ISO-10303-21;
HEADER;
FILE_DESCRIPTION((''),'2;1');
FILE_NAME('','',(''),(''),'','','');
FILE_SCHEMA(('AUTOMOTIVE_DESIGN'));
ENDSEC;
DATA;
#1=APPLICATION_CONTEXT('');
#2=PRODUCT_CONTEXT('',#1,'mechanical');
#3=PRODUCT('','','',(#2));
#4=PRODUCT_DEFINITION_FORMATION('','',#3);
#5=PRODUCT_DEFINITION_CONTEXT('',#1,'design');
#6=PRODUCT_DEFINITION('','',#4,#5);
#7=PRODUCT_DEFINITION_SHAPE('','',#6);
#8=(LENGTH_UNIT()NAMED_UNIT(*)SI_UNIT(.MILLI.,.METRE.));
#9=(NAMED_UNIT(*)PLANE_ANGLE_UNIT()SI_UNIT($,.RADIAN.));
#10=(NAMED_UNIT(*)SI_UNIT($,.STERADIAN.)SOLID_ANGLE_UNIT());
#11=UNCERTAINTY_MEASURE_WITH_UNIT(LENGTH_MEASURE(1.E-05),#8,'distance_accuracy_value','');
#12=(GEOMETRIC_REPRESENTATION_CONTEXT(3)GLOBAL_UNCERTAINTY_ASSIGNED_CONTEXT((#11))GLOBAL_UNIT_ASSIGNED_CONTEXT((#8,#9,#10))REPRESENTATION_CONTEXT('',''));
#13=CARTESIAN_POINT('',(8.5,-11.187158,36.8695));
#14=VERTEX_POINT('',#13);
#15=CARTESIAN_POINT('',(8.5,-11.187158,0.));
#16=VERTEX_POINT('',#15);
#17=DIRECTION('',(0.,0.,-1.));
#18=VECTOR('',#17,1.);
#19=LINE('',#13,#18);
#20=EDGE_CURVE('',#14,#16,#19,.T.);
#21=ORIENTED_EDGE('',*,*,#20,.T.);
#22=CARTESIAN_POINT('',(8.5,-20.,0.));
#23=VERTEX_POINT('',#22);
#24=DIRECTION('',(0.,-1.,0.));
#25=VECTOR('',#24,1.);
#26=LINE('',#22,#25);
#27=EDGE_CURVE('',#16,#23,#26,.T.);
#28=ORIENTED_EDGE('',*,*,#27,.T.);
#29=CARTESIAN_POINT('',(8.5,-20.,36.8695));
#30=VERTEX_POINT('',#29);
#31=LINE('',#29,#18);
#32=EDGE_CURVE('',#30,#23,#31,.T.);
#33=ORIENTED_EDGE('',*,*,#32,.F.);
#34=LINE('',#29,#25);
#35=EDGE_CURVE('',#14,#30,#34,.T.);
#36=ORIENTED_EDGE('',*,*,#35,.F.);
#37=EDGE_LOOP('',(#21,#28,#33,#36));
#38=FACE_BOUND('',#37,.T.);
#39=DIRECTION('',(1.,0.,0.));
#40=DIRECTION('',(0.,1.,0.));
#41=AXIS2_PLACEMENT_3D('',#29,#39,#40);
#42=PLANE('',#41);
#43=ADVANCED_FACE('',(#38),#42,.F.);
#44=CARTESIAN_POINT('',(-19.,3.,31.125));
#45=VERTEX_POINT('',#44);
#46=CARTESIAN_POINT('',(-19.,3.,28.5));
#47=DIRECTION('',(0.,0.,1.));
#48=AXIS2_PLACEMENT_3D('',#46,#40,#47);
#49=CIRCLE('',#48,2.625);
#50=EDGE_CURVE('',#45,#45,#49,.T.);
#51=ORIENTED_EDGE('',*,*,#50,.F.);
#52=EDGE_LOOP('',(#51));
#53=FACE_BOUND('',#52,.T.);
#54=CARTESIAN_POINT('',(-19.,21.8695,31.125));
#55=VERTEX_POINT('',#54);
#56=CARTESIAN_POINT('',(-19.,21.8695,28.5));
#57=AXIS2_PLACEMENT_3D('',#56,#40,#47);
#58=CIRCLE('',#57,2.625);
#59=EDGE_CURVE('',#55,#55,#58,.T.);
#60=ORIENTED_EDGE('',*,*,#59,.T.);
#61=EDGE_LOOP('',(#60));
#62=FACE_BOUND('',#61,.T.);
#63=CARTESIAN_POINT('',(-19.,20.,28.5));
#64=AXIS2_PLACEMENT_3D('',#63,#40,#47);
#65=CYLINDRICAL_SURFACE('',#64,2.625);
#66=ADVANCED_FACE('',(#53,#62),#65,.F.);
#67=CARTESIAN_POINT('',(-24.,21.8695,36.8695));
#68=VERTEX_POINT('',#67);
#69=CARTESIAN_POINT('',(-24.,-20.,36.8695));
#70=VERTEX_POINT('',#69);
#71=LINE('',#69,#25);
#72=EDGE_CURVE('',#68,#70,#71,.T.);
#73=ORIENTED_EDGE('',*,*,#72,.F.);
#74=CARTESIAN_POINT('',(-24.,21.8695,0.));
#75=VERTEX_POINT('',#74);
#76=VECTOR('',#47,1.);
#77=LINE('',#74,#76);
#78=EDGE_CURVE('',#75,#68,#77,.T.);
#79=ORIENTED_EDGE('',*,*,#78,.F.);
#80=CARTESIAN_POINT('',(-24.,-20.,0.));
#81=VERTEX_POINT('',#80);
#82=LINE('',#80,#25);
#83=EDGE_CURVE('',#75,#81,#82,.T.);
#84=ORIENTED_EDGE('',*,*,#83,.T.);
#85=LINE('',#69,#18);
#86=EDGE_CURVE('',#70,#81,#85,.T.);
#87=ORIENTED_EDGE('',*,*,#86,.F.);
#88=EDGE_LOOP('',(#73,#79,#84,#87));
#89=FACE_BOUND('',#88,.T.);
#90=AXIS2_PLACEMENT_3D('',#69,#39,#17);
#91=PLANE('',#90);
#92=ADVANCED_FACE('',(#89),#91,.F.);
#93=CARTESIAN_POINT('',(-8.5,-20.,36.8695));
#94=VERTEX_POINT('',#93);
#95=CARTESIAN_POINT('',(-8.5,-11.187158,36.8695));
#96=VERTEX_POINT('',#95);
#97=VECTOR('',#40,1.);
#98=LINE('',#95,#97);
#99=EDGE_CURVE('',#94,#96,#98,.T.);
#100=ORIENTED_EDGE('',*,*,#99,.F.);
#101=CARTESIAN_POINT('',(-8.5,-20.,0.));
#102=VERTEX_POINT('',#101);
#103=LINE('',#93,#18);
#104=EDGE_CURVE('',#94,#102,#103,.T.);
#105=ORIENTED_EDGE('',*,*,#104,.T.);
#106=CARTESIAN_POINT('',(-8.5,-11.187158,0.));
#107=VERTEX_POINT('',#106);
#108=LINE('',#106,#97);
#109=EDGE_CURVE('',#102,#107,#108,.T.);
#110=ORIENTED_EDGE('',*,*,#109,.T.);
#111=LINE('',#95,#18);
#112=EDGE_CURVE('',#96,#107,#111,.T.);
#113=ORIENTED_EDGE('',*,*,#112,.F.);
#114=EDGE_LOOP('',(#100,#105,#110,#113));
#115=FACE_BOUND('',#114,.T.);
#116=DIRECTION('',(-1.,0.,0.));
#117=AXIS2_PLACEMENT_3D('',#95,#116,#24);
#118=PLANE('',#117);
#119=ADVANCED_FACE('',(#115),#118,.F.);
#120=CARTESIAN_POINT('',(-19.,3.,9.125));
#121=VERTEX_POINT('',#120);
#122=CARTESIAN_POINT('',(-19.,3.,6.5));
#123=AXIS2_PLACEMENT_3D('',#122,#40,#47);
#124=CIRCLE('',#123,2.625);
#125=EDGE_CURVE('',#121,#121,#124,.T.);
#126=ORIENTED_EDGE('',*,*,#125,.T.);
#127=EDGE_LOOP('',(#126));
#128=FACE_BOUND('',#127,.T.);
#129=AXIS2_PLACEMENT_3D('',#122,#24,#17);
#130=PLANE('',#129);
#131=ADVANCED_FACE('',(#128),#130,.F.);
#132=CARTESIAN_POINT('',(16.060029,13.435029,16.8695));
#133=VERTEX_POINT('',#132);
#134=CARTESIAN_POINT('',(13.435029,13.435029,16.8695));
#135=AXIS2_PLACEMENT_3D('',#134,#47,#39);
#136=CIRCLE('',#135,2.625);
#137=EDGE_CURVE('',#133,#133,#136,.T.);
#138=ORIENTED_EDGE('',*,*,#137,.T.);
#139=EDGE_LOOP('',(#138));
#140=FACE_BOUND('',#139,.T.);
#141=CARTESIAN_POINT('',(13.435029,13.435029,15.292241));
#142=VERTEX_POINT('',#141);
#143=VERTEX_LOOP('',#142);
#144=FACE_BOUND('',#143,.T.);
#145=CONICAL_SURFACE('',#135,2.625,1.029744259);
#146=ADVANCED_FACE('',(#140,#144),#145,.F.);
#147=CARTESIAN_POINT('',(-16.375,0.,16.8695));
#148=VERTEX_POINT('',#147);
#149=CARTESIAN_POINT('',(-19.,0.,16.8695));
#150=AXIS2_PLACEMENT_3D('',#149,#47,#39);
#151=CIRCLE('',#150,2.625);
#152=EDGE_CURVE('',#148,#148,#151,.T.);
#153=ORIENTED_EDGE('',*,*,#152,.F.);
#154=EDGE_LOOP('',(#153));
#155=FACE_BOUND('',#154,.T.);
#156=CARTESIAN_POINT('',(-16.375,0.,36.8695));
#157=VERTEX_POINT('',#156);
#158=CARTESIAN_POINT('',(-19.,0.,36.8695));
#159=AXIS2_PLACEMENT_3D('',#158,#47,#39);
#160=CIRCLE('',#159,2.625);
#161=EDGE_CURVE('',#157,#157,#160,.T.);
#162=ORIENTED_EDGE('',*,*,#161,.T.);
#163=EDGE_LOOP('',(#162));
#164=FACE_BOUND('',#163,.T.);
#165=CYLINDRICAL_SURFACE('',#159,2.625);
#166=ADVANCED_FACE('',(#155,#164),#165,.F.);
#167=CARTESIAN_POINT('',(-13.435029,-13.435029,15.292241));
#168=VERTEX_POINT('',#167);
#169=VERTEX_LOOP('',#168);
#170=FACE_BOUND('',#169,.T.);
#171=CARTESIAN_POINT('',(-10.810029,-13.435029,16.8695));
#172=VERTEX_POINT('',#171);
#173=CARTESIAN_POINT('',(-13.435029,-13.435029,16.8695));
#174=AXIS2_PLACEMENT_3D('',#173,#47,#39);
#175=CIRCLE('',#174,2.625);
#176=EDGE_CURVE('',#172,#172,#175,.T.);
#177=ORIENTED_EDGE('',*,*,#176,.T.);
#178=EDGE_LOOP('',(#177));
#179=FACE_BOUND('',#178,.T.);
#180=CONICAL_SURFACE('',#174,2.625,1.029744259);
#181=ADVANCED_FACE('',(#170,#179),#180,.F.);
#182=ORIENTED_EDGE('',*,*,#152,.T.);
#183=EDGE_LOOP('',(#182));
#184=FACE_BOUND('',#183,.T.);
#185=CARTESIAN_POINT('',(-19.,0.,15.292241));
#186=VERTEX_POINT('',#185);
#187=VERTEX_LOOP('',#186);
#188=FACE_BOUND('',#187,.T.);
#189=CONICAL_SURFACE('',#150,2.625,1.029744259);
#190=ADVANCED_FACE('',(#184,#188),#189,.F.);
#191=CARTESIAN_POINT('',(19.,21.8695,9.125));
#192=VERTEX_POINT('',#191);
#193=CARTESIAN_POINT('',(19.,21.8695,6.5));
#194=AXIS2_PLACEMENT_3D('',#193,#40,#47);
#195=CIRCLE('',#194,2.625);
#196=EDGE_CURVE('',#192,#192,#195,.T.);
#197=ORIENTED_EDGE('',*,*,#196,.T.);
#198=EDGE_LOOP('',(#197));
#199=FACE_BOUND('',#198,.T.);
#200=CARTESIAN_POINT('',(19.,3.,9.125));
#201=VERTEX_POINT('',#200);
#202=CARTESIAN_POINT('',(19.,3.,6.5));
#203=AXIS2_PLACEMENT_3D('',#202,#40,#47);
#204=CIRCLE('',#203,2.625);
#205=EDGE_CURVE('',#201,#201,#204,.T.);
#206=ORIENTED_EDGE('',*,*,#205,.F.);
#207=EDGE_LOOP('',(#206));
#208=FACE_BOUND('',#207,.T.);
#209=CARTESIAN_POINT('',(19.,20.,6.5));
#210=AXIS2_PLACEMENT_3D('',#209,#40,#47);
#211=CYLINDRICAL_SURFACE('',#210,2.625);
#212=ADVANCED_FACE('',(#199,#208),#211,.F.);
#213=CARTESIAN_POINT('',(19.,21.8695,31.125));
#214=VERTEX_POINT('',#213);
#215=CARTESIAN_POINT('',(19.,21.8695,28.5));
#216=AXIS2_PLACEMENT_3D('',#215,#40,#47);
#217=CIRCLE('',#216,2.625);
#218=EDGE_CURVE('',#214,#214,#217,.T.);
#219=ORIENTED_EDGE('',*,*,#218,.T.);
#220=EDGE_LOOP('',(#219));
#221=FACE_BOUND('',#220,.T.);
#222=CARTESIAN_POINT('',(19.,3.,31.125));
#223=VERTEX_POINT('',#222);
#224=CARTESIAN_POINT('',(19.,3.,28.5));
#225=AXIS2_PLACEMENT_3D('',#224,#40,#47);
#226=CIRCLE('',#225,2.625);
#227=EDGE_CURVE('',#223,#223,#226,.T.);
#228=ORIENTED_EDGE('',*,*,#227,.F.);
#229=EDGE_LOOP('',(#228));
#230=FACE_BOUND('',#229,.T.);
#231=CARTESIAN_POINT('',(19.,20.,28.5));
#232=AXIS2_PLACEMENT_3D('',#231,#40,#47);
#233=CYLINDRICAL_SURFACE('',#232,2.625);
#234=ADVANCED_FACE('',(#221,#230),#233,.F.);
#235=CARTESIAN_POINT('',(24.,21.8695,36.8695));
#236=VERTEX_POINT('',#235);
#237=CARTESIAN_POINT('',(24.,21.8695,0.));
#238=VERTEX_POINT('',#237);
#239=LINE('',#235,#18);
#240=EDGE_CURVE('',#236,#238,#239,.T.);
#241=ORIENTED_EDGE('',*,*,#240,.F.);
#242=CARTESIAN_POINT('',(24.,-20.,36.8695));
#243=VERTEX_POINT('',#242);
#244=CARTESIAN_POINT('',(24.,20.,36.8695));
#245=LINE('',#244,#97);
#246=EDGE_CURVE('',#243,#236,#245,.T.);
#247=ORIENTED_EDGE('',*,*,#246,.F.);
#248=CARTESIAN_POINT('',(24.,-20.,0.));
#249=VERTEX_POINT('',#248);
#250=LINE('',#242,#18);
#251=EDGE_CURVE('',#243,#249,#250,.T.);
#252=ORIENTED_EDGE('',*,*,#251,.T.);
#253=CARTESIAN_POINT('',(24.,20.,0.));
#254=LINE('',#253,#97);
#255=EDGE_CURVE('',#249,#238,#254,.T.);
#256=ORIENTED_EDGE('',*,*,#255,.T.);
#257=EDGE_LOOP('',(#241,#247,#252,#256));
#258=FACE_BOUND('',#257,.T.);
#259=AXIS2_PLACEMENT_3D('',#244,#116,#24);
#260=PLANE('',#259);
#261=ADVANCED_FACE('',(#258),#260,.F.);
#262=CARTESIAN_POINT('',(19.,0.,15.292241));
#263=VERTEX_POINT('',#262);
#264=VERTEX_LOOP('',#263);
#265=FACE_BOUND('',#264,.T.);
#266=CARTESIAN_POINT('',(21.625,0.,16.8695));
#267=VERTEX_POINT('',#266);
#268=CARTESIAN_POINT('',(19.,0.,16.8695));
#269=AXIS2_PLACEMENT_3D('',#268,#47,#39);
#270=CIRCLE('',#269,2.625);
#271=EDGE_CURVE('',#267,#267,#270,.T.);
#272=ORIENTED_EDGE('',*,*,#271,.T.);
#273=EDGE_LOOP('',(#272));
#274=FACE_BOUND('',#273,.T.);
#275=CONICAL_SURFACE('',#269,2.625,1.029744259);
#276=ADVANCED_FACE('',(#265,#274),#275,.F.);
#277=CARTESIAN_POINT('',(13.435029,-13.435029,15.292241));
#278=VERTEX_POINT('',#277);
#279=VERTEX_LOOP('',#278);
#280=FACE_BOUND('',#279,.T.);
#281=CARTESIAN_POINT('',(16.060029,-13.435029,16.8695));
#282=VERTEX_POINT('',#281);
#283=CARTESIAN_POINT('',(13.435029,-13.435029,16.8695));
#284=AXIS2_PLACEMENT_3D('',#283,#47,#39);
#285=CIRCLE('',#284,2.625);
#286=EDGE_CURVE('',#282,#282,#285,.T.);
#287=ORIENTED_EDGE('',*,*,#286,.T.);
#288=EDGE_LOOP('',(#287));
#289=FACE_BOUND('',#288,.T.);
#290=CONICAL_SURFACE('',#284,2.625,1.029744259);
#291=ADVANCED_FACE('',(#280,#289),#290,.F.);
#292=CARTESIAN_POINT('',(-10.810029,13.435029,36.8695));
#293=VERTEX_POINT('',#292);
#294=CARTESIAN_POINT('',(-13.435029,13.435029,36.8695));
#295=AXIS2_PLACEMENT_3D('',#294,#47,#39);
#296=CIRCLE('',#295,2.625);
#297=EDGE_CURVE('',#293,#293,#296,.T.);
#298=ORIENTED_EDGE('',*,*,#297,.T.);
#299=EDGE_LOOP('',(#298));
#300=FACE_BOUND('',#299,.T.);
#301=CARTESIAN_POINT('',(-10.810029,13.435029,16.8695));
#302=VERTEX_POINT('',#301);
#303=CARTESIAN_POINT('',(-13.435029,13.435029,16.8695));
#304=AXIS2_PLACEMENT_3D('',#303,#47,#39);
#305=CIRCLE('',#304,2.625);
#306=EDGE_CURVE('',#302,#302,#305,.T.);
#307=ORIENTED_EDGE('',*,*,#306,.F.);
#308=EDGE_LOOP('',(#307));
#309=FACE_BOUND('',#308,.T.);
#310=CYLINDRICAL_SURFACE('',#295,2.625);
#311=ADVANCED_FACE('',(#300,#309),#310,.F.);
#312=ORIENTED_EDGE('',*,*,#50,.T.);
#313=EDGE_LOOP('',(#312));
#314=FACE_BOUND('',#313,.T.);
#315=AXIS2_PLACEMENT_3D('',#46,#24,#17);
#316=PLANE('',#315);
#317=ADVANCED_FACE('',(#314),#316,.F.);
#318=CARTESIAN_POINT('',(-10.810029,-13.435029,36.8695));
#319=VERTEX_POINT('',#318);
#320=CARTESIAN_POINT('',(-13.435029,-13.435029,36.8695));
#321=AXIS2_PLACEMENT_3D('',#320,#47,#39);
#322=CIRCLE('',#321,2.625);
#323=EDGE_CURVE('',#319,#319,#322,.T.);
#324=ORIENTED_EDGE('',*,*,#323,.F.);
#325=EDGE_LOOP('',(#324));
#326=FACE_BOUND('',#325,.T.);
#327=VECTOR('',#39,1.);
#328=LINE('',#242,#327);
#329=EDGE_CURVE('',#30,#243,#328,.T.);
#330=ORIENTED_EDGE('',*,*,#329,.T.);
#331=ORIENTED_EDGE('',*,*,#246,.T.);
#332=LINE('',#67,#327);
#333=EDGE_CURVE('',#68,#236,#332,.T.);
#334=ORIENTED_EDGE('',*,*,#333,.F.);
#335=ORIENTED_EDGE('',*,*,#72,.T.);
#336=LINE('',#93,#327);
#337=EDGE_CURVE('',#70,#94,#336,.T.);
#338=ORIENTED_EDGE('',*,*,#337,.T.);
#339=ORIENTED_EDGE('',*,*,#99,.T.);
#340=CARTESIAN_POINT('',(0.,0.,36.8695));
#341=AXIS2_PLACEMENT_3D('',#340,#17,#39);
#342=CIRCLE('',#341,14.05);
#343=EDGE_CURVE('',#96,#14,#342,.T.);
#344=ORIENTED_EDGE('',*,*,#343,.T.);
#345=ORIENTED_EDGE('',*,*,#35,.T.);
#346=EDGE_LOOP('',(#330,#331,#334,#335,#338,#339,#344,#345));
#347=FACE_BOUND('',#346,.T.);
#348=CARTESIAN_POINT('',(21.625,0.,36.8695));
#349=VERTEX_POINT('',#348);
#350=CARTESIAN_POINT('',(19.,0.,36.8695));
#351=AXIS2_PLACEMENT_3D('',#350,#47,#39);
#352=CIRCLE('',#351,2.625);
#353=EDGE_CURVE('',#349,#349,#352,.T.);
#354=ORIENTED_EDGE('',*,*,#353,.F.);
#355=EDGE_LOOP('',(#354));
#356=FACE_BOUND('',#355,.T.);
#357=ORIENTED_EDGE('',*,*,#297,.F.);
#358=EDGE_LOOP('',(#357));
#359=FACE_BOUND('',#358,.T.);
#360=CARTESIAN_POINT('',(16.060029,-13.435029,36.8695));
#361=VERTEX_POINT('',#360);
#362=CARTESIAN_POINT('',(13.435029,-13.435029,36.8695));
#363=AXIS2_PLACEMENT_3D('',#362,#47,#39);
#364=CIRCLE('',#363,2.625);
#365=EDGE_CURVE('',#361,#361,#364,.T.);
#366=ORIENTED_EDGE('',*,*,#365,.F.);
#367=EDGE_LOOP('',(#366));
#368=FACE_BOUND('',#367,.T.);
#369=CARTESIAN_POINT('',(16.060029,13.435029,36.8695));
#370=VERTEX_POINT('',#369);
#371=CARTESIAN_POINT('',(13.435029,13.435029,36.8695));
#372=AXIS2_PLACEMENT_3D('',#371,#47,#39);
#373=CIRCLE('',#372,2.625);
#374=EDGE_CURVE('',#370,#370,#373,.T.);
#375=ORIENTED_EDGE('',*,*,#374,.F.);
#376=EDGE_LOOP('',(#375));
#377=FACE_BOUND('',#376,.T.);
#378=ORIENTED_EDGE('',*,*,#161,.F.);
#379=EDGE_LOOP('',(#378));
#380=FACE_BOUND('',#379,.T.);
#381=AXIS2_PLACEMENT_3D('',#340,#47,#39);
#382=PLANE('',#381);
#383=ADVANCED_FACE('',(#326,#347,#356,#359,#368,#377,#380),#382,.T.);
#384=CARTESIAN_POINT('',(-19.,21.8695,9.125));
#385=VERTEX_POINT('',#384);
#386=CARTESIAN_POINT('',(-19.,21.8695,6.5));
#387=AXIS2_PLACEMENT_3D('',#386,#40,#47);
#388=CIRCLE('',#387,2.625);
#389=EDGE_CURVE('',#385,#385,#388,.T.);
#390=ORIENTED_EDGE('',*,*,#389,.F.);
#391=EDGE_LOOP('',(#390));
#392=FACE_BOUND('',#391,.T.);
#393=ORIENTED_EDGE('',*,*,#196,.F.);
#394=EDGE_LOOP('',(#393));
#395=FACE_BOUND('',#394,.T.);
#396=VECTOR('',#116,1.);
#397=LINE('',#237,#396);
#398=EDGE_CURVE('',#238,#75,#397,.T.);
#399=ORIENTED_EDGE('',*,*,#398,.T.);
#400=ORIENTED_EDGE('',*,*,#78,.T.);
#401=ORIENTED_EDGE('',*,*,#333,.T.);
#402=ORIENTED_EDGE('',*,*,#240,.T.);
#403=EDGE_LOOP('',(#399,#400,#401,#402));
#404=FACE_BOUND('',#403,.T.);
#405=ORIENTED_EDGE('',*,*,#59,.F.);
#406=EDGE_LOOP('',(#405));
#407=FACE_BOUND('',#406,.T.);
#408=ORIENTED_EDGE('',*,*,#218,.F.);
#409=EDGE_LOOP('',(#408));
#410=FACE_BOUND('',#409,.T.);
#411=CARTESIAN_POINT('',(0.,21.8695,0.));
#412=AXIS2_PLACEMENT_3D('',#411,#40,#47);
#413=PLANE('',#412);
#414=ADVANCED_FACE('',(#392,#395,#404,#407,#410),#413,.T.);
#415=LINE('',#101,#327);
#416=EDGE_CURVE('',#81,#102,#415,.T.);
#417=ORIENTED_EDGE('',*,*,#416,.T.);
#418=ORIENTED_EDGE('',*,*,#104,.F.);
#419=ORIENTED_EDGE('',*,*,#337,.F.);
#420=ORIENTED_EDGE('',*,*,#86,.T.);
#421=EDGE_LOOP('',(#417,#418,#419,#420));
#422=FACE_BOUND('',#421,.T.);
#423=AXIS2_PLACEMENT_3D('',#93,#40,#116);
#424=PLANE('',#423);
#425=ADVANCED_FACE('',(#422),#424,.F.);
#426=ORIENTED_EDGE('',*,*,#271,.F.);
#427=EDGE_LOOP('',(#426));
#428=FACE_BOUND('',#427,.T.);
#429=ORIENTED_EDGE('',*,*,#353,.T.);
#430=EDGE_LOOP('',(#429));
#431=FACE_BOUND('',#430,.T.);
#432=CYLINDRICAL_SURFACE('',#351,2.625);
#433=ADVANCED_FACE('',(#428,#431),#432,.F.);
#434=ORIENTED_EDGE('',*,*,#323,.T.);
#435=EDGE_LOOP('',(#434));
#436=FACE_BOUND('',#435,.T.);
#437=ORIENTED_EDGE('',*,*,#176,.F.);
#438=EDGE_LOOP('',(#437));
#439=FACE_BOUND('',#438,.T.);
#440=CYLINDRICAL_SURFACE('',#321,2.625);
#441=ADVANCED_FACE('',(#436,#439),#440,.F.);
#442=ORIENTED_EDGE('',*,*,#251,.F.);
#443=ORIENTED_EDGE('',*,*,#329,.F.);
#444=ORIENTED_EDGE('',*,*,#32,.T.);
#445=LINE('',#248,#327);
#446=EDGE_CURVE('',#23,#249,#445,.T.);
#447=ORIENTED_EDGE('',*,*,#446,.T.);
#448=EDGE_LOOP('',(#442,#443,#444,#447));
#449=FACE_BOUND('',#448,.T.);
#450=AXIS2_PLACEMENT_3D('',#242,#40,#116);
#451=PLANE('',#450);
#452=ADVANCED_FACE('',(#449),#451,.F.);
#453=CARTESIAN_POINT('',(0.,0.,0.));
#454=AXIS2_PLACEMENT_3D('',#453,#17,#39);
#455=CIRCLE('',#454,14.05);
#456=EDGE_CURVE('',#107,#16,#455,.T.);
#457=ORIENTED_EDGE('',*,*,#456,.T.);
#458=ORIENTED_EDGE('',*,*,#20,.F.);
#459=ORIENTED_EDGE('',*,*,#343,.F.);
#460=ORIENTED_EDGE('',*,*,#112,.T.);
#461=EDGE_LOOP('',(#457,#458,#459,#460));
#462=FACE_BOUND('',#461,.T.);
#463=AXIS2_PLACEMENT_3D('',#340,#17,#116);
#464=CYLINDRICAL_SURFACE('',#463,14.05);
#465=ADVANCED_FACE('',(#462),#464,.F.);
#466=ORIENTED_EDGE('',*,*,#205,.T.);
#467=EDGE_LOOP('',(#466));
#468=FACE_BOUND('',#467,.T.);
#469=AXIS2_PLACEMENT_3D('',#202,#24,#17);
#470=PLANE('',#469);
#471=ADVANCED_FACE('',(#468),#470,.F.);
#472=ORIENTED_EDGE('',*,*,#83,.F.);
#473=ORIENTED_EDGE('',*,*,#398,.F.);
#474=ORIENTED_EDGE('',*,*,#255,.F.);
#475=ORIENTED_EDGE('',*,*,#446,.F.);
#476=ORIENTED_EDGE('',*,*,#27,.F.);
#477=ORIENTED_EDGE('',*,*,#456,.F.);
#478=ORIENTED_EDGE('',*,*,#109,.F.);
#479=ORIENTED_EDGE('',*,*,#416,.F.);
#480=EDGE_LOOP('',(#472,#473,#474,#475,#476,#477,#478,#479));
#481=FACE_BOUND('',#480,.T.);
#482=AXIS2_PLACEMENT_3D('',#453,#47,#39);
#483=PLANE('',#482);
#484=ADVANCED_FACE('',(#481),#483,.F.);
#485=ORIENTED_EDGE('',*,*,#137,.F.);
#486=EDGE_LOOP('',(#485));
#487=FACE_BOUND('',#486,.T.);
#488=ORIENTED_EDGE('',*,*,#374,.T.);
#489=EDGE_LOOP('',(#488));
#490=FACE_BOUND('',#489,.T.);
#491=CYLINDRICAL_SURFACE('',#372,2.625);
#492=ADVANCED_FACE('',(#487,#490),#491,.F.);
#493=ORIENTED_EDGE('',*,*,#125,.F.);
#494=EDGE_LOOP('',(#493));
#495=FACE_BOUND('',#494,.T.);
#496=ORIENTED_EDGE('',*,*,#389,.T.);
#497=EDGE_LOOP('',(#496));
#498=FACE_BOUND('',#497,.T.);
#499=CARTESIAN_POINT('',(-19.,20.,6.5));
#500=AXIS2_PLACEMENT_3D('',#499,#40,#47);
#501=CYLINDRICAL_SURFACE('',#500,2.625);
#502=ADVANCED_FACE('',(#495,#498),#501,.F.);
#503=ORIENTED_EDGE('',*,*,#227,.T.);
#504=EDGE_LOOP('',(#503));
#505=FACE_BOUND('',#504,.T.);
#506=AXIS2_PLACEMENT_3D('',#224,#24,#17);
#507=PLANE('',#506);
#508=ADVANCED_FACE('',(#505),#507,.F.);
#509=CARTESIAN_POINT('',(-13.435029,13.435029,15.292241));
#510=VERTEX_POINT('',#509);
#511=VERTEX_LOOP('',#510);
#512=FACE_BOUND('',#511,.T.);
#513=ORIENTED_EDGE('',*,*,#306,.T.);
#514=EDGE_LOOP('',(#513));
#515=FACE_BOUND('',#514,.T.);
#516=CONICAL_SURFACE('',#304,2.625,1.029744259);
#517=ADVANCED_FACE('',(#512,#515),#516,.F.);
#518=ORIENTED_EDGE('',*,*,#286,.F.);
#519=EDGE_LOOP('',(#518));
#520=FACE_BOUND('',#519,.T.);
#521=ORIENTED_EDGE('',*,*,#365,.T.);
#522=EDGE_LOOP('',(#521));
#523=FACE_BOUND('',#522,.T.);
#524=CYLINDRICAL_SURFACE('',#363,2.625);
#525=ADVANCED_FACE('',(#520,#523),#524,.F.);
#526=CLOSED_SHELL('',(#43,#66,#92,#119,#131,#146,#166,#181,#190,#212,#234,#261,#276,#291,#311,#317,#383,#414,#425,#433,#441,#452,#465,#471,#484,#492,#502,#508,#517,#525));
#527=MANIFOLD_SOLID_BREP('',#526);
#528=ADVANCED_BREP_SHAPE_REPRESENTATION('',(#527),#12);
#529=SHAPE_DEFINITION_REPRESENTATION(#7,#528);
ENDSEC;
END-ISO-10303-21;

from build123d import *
from build123d.topology import SkipClean

# Parameters (mm, degrees)
EXTRUSION1_DEPTH = 36.869499995
THREAD6_D        = 5.25
THREAD6_DEPTH    = 20
THREAD6_TIP      = 1.577259125
THREAD10_D       = 5.25
THREAD10_DEPTH   = 17
SKETCH6_W        = 48
SKETCH6_H        = 36.869499995
SKETCH6_R        = 2.625
EXTRUSION2_DEPTH = 1.869499995


with BuildPart() as part:
    # Sketch1 → Extrusion1 (new body)
    with BuildSketch(Plane.XY):
        with BuildLine():
            Line((-24, 20), (24, 20))
            Line((24, 20), (24, -20))
            Line((24, -20), (8.5, -20))
            Line((8.5, -20), (8.5, -11.187157816))
            ThreePointArc((8.5, -11.187157816), (0, 14.05), (-8.5, -11.187157816))
            Line((-8.5, -11.187157816), (-8.5, -20))
            Line((-8.5, -20), (-24, -20))
            Line((-24, -20), (-24, 20))
        make_face()
    extrude(amount=EXTRUSION1_DEPTH)

    # Thread6
    with Locations(Plane.XY.offset(36.869499995)):
        with Locations((-19, 0), (-13.435028843, -13.435028843), (-13.435028843, 13.435028843), (13.435028843, 13.435028843), (19, 0), (13.435028843, -13.435028843)):
            Hole(THREAD6_D / 2, depth=THREAD6_DEPTH)
            with Locations((0, 0, -(THREAD6_DEPTH + THREAD6_TIP / 2))):  # 118° drill point
                Cone(0, THREAD6_D / 2, THREAD6_TIP, mode=Mode.SUBTRACT)

    # Thread10
    with Locations(Plane(origin=(0, 20, 0), x_dir=(1, 0, 0), z_dir=(0, 1, 0))):
        with Locations((-19, -6.5), (19, -6.5), (-19, -28.5), (19, -28.5)):
            Hole(THREAD10_D / 2, depth=THREAD10_DEPTH)

    # Sketch6 → Extrusion2 (add)
    with SkipClean():  # the faces are left unmerged after this step: merging them gives an invalid solid
        with BuildSketch(Plane(origin=(0, 20, 0), x_dir=(-1, 0, 0), z_dir=(0, 1, 0))):
            with Locations((0, 18.434749998)):
                Rectangle(SKETCH6_W, SKETCH6_H)
            with Locations(Location((19, 28.5, 0), (0, 0, 90))):
                Circle(SKETCH6_R, mode=Mode.SUBTRACT)
            with Locations(Location((19, 6.5, 0), (0, 0, 90))):
                Circle(SKETCH6_R, mode=Mode.SUBTRACT)
            with Locations(Location((-19, 6.5, 0), (0, 0, 90))):
                Circle(SKETCH6_R, mode=Mode.SUBTRACT)
            with Locations(Location((-19, 28.5, 0), (0, 0, 90))):
                Circle(SKETCH6_R, mode=Mode.SUBTRACT)
        extrude(amount=EXTRUSION2_DEPTH)


solid = part.part
